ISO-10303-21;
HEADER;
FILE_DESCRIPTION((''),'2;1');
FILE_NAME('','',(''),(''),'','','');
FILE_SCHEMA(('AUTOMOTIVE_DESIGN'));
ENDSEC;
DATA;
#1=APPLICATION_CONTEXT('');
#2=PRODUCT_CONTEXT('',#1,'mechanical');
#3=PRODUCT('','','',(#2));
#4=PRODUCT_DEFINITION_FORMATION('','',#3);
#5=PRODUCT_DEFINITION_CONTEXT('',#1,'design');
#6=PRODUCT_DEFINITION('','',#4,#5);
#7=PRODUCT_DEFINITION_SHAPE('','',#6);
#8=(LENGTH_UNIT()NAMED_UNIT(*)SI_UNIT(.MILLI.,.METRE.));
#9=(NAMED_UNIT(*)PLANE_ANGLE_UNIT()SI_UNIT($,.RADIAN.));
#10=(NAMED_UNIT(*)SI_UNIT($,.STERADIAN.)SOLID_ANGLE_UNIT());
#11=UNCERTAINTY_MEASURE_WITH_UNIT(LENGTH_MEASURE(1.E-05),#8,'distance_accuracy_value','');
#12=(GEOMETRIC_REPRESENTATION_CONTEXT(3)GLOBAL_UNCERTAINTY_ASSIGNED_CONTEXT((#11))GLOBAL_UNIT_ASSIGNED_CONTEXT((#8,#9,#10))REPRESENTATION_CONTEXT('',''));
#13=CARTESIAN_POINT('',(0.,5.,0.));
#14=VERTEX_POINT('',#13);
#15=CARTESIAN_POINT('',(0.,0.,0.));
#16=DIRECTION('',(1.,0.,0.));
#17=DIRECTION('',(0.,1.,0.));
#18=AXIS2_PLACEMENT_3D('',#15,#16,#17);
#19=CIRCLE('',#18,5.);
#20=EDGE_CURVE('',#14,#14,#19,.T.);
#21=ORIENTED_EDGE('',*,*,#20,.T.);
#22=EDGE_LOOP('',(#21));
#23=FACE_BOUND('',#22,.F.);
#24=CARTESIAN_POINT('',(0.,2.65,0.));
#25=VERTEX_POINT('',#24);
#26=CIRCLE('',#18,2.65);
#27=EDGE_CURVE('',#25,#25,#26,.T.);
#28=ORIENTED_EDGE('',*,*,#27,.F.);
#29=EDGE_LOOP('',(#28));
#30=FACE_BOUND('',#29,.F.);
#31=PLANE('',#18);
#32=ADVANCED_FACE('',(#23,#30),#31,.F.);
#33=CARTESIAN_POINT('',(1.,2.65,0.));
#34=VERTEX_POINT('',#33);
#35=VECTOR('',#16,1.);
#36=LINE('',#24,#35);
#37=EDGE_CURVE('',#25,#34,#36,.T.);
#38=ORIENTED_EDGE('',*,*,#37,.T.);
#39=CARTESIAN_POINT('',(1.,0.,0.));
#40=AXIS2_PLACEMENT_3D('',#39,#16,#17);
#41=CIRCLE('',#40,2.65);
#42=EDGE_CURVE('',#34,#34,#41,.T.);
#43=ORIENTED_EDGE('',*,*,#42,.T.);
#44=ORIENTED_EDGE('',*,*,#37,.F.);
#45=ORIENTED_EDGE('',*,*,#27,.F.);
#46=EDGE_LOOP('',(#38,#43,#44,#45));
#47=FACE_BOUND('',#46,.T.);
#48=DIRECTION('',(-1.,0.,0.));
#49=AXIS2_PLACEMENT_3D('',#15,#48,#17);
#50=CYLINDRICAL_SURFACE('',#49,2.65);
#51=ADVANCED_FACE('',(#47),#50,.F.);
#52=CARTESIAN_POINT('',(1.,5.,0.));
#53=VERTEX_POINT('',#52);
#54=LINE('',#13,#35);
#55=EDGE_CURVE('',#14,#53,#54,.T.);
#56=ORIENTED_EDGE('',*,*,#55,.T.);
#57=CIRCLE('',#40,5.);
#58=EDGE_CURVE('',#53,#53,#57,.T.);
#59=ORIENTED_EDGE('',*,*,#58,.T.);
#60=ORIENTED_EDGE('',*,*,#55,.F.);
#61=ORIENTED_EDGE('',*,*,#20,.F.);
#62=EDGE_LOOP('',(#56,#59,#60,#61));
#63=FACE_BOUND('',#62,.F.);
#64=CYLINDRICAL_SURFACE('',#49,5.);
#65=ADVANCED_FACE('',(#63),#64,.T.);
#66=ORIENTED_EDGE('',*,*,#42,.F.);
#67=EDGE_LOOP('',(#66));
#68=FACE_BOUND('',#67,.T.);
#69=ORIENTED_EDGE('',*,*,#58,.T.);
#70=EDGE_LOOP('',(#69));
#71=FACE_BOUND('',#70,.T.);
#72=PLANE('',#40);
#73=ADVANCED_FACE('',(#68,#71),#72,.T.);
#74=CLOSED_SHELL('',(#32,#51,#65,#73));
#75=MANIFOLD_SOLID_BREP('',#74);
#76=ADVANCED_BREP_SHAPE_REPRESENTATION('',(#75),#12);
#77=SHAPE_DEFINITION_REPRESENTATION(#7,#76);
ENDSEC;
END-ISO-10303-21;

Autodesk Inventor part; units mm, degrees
ref_plane "YZ Plane" through (0, 0, 0) normal (1, 0, 0) x (0, 1, 0)
ref_plane "XZ Plane" through (0, 0, 0) normal (0, 1, 0) x (-1, 0, 0)
sketch "Boceto" plane through (0, 0, 0) normal (1, 0, 0) x (0, 1, 0)
  circle A0 centre (0, 0) radius 5
  circle A1 centre (0, 0) radius 2.65
  dimension "d0" = 5.3
  dimension "d1" = 10
extrude "Cuerpo" add sketch "Boceto" along normal blind 1
ref_plane "Work Plane1" through (0, 0, 0) normal (0, 0, 1) x (1, 0, 0)
equation "\"d0\" = SD1"
equation "\"d1\" = SD2"
equation "\"d2\" = SD"
equation "\"SD1\" = 5.3"
equation "\"SD2\" = 10"
equation "\"SD\" = 1"
equation "\"NND\" = 5"
properties part number "BS 4320 - M5 (Forma A)" material "Acero, suave"
